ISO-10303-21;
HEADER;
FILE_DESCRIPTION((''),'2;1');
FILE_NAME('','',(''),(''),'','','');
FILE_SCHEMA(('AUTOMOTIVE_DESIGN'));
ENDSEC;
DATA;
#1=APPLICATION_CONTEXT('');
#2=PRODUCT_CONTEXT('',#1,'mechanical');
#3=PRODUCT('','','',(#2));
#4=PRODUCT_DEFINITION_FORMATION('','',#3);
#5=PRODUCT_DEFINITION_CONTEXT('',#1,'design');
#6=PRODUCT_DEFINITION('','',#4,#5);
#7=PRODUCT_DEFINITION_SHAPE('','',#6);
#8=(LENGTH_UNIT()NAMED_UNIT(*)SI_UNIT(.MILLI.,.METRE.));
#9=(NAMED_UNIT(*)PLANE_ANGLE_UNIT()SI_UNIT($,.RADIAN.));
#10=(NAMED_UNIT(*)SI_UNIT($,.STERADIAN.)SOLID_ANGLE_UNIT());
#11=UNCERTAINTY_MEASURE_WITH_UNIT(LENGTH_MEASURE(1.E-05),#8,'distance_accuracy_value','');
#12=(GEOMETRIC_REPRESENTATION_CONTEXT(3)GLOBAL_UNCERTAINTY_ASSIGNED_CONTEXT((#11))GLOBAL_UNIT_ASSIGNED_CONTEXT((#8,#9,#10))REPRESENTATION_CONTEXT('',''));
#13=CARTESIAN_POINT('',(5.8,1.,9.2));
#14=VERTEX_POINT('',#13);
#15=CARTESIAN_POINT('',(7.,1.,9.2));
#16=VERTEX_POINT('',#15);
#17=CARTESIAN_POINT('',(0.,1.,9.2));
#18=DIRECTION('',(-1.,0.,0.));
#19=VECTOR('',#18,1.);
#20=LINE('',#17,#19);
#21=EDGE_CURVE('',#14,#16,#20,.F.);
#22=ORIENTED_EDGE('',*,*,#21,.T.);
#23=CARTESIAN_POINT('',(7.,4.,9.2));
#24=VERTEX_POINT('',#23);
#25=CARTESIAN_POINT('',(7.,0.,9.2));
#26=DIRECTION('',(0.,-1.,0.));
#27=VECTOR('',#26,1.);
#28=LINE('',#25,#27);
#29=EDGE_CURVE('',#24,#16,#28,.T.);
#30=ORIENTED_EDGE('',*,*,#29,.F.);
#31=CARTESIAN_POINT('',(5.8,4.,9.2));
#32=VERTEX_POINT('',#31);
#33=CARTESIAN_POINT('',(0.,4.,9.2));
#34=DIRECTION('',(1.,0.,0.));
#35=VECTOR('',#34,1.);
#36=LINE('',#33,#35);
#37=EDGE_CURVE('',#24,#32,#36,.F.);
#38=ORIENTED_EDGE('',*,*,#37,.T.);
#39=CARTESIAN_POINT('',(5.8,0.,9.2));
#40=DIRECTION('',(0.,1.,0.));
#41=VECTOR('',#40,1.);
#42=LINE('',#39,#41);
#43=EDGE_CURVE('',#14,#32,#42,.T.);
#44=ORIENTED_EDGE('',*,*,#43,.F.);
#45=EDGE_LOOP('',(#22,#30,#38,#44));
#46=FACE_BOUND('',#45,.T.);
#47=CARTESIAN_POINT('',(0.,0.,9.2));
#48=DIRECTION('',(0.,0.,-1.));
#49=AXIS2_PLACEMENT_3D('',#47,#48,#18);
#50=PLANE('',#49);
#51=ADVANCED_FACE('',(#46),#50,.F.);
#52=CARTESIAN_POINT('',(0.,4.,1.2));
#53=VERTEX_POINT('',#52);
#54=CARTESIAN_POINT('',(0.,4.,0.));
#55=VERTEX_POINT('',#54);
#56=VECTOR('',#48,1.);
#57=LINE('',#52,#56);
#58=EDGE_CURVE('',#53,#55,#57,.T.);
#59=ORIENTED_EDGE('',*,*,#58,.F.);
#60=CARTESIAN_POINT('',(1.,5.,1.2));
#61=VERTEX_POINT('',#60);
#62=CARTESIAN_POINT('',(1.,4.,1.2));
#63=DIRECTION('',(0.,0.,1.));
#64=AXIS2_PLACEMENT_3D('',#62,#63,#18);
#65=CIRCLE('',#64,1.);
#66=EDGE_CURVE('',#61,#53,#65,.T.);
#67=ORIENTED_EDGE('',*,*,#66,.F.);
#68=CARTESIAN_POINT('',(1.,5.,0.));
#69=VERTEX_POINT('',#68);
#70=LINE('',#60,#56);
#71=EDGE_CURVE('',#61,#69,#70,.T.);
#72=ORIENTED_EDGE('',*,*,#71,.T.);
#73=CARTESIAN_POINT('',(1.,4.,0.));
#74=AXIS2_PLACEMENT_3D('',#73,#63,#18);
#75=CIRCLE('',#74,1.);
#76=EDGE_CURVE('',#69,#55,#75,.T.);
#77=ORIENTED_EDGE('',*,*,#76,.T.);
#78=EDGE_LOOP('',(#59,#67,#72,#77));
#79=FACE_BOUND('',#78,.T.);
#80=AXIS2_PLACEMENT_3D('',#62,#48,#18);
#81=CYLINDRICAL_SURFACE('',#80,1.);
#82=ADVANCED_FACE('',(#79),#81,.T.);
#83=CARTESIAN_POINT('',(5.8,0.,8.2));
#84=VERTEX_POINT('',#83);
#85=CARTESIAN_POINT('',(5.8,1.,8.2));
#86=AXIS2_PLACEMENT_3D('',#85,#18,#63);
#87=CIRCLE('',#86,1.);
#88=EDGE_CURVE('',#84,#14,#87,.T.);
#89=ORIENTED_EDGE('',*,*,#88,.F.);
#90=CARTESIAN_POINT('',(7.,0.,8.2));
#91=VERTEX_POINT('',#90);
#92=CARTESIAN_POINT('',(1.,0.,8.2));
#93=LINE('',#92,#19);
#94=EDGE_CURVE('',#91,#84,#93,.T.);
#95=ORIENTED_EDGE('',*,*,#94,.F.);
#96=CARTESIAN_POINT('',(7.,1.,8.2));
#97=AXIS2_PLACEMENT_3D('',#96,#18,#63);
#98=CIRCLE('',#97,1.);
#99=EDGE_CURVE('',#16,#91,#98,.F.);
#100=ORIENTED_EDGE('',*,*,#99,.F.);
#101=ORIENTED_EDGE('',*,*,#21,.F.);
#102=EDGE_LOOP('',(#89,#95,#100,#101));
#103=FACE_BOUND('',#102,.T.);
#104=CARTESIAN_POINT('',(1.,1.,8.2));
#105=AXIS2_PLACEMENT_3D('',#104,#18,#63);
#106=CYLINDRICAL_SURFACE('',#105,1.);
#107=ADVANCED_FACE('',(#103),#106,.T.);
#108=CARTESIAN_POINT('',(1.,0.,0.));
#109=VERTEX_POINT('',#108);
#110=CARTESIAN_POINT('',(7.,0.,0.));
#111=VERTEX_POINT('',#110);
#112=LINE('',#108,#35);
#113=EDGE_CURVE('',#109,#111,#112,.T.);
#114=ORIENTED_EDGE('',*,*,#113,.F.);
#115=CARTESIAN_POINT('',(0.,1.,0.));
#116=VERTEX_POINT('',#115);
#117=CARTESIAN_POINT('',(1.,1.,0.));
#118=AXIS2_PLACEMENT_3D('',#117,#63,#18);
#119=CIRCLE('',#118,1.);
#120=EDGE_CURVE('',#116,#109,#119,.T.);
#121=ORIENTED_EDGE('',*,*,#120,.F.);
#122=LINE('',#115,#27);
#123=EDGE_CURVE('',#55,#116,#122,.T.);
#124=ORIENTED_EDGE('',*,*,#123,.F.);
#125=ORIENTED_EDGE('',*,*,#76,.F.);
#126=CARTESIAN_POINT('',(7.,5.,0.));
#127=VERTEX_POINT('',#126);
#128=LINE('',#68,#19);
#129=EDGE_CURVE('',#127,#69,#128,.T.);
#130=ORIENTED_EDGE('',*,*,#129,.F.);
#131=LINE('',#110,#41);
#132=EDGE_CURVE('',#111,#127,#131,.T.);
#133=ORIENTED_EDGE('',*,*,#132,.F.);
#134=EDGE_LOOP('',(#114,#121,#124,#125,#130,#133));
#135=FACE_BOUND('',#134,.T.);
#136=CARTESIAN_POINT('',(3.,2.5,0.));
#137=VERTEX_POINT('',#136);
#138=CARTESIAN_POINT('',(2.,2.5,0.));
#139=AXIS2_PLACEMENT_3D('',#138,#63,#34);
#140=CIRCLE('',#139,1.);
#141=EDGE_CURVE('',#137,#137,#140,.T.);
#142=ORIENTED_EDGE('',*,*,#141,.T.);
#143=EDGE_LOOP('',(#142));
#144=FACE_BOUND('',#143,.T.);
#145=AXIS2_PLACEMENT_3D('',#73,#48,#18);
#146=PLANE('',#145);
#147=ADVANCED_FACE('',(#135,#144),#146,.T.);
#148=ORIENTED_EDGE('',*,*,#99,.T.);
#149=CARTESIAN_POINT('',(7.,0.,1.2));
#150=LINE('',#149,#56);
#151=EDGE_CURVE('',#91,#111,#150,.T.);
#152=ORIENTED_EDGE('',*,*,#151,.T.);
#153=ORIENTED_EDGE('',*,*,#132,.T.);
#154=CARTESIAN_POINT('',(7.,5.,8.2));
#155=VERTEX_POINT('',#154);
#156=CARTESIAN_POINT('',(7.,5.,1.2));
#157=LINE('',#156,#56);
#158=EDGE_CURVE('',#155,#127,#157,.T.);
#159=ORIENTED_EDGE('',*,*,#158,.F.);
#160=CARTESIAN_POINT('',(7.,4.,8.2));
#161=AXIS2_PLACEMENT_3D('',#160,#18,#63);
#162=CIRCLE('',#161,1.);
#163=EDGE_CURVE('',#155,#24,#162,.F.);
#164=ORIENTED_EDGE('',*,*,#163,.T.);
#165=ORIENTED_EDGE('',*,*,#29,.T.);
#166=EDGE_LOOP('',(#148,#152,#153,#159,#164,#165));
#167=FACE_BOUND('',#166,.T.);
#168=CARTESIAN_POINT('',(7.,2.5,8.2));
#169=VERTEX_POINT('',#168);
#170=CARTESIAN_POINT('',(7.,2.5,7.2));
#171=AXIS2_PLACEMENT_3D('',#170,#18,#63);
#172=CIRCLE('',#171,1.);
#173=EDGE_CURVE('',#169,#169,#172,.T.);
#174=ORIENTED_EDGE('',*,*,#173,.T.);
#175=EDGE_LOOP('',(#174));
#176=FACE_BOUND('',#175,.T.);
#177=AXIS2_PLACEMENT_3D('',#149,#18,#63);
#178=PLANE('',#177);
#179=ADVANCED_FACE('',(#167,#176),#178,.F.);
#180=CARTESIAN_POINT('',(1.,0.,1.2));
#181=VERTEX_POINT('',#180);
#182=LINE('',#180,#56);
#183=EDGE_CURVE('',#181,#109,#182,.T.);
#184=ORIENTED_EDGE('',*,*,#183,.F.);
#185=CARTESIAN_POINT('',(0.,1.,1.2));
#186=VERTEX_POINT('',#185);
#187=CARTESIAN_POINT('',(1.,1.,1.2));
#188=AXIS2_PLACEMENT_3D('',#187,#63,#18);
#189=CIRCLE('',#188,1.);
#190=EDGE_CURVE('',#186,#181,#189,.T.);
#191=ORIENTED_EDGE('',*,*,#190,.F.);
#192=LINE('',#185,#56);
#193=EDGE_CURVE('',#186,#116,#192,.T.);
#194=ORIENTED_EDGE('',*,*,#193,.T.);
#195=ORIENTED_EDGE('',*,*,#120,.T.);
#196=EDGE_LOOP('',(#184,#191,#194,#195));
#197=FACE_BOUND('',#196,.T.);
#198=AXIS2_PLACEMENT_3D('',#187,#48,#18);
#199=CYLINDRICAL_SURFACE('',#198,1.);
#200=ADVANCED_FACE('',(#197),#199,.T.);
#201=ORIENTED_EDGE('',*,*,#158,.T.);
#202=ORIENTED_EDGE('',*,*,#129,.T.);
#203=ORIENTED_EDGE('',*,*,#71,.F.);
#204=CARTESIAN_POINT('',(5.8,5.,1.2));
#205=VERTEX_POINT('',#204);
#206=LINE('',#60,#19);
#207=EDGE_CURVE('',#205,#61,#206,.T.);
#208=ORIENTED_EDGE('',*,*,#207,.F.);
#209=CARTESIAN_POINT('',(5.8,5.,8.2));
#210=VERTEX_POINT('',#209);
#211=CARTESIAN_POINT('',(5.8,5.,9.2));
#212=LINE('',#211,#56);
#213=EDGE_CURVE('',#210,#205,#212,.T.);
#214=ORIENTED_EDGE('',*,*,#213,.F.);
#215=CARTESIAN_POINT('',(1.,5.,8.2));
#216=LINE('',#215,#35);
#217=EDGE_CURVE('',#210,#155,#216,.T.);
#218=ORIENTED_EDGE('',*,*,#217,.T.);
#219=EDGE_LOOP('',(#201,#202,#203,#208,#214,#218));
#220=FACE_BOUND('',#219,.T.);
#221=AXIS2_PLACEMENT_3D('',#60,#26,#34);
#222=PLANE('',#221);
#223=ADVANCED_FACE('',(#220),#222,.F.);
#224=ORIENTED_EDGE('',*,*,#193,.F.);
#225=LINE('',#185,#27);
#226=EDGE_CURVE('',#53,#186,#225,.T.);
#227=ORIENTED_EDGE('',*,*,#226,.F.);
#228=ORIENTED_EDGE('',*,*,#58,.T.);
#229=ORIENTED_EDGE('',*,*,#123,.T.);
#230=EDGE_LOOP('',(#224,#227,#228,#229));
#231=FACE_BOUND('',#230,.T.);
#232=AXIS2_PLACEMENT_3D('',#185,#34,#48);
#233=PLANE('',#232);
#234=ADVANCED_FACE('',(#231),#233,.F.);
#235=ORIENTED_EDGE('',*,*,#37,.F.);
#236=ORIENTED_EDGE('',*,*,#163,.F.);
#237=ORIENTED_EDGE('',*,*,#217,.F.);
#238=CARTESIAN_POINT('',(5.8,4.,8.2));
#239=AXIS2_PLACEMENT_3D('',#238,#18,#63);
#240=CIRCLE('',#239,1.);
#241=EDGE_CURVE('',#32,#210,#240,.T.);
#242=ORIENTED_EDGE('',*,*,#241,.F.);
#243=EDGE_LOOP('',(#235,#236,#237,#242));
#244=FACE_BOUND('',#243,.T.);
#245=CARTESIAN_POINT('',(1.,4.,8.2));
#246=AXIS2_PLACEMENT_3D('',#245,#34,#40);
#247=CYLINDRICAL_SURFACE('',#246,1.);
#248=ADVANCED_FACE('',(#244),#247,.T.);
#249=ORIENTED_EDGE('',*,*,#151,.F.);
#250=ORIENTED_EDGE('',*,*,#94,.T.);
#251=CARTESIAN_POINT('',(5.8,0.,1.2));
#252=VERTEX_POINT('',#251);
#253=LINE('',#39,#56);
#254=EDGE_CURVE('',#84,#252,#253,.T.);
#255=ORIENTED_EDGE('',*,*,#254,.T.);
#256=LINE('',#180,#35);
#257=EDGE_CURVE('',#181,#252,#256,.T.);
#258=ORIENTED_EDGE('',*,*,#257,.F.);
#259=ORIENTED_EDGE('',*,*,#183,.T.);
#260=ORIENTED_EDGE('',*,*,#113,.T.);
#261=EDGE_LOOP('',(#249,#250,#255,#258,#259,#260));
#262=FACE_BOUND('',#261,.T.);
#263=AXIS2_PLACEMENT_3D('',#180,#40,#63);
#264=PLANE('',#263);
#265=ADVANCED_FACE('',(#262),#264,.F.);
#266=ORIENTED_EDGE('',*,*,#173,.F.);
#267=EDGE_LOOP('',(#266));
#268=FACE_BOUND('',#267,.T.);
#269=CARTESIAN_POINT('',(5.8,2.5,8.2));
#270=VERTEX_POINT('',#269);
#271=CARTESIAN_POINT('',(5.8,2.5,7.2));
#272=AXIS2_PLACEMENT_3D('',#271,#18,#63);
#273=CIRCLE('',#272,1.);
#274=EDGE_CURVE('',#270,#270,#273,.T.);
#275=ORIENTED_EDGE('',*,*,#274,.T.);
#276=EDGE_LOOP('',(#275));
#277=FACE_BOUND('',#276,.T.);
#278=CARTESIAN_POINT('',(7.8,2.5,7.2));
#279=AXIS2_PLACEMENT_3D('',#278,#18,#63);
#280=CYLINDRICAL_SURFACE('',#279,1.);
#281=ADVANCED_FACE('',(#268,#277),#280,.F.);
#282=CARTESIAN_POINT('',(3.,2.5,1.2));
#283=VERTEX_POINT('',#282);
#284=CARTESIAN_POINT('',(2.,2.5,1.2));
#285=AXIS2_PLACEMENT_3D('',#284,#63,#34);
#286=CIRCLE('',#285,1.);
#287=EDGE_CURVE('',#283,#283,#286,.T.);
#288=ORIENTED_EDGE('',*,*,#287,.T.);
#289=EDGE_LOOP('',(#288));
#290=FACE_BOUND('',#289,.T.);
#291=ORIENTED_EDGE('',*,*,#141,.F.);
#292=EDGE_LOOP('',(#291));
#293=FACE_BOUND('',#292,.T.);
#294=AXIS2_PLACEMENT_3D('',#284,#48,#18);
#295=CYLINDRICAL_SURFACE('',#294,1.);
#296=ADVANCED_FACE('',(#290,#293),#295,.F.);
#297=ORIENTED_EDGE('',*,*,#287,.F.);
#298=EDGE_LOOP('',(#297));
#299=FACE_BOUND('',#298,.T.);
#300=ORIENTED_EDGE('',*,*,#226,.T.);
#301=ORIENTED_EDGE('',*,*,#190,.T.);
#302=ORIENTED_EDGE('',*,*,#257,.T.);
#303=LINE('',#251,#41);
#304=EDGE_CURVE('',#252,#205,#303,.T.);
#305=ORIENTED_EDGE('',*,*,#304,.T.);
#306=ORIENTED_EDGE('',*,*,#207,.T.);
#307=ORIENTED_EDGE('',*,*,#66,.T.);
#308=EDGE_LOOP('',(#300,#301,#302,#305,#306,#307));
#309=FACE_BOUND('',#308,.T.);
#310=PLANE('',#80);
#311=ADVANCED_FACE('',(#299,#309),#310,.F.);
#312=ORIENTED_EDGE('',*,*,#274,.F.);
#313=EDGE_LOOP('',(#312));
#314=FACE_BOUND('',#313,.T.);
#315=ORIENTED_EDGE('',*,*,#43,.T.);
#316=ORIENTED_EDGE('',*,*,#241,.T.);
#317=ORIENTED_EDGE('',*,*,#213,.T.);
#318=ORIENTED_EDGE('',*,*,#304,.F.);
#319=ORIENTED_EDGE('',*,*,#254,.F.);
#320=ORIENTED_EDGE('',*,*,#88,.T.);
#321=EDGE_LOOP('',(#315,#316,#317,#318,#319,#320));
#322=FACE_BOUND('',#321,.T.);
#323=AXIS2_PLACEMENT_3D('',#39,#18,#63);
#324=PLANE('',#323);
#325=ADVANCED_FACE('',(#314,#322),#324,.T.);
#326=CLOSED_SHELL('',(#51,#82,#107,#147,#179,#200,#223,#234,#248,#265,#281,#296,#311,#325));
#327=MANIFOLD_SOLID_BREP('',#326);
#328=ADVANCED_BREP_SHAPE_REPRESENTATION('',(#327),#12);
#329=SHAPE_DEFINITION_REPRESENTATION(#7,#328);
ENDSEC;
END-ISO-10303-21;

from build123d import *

# Parameters (mm, degrees)
SKETCH_1_R          = 1
EXTRUDE_1_DEPTH     = 1.2
SKETCH_2_W          = 1.2
SKETCH_2_H          = 5
EXTRUDE_2_DEPTH     = 8
FILLET_1_R          = 1
SKETCH_4_R          = 1
CUT_EXTRUDE_1_DEPTH = 2


with BuildPart() as part:
    # 草图1 → 凸台-拉伸1 (new body)
    with BuildSketch(Plane.XY):
        with BuildLine():
            Line((1, 0), (7, 0))
            Line((7, 0), (7, 5))
            Line((7, 5), (1, 5))
            ThreePointArc((1, 5), (0.292893219, 4.707106781), (0, 4))
            Line((0, 4), (0, 1))
            ThreePointArc((0, 1), (0.292893219, 0.292893219), (1, 0))
        make_face()
        with Locations((2, 2.5)):
            Circle(SKETCH_1_R, mode=Mode.SUBTRACT)
    extrude(amount=EXTRUDE_1_DEPTH)

    # 草图2 → 凸台-拉伸2 (add)
    with BuildSketch(Plane(origin=(0, 0, 1.2), x_dir=(-1, 0, 0), z_dir=(0, 0, -1))):
        with Locations((-6.4, 2.5)):
            Rectangle(SKETCH_2_W, SKETCH_2_H)
    extrude(amount=-EXTRUDE_2_DEPTH)

    # 圆角1
    fillet_1_edges = [part.edges().sort_by_distance(p)[0] for p in [
        (6.4, 0, 9.2),
        (6.4, 5, 9.2),
    ]]
    fillet(fillet_1_edges, radius=FILLET_1_R)

    # 草图4 → 切除-拉伸1 (cut)
    with BuildSketch(Plane.ZY.offset(-5.8)):
        with Locations((7.2, 2.5)):
            Circle(SKETCH_4_R)
    extrude(amount=-CUT_EXTRUDE_1_DEPTH, mode=Mode.SUBTRACT)


solid = part.part
